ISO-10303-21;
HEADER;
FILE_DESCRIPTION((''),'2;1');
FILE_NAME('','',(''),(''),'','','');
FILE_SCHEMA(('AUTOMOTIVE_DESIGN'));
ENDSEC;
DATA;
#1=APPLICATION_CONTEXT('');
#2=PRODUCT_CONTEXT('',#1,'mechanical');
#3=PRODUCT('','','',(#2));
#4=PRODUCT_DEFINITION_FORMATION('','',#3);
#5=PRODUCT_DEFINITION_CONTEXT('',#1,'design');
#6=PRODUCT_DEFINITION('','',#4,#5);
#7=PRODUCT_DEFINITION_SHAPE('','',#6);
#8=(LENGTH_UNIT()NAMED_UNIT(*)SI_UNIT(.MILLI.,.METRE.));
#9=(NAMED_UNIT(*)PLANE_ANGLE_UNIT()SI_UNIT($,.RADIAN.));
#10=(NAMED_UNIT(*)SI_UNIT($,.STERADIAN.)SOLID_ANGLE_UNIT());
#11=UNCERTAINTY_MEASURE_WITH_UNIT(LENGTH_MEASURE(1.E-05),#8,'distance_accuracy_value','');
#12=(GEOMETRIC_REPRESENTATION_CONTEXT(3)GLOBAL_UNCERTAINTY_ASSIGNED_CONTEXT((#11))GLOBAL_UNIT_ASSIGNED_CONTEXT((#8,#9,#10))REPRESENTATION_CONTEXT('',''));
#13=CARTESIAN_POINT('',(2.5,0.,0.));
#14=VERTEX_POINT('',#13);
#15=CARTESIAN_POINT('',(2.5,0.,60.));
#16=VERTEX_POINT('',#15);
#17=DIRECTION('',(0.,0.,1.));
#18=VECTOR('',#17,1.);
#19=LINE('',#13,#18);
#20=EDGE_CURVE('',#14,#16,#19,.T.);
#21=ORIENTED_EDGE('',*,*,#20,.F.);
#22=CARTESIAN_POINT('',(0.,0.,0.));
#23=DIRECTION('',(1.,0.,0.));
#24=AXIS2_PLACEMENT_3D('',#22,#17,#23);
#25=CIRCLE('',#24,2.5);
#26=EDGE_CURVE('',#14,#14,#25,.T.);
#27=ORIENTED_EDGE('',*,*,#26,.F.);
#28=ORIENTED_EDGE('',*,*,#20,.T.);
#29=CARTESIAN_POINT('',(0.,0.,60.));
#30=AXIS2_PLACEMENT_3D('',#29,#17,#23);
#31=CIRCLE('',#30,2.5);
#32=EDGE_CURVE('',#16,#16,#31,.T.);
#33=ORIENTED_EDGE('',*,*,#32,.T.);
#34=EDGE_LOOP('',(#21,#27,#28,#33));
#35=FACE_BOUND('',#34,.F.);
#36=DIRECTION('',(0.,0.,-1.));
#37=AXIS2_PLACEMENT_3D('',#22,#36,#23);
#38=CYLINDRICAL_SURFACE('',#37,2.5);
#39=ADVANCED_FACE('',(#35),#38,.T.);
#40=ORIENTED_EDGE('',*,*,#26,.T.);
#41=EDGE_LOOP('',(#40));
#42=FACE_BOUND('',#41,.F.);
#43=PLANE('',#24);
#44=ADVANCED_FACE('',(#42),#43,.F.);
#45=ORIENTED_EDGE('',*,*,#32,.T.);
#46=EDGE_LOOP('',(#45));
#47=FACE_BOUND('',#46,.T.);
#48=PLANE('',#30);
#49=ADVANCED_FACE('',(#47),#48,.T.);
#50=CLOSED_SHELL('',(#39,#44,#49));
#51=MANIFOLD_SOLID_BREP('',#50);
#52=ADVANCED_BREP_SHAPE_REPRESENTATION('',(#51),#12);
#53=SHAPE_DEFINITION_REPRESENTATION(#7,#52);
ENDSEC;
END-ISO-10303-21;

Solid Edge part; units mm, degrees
sketch "Sketch1" plane through (0, 0, 0) normal (0, 0, 1) x (1, 0, 0)
  circle A0 centre (0, 0) radius 2.5
extrude "Protrusion1" add sketch "Sketch1" along normal blind 60
